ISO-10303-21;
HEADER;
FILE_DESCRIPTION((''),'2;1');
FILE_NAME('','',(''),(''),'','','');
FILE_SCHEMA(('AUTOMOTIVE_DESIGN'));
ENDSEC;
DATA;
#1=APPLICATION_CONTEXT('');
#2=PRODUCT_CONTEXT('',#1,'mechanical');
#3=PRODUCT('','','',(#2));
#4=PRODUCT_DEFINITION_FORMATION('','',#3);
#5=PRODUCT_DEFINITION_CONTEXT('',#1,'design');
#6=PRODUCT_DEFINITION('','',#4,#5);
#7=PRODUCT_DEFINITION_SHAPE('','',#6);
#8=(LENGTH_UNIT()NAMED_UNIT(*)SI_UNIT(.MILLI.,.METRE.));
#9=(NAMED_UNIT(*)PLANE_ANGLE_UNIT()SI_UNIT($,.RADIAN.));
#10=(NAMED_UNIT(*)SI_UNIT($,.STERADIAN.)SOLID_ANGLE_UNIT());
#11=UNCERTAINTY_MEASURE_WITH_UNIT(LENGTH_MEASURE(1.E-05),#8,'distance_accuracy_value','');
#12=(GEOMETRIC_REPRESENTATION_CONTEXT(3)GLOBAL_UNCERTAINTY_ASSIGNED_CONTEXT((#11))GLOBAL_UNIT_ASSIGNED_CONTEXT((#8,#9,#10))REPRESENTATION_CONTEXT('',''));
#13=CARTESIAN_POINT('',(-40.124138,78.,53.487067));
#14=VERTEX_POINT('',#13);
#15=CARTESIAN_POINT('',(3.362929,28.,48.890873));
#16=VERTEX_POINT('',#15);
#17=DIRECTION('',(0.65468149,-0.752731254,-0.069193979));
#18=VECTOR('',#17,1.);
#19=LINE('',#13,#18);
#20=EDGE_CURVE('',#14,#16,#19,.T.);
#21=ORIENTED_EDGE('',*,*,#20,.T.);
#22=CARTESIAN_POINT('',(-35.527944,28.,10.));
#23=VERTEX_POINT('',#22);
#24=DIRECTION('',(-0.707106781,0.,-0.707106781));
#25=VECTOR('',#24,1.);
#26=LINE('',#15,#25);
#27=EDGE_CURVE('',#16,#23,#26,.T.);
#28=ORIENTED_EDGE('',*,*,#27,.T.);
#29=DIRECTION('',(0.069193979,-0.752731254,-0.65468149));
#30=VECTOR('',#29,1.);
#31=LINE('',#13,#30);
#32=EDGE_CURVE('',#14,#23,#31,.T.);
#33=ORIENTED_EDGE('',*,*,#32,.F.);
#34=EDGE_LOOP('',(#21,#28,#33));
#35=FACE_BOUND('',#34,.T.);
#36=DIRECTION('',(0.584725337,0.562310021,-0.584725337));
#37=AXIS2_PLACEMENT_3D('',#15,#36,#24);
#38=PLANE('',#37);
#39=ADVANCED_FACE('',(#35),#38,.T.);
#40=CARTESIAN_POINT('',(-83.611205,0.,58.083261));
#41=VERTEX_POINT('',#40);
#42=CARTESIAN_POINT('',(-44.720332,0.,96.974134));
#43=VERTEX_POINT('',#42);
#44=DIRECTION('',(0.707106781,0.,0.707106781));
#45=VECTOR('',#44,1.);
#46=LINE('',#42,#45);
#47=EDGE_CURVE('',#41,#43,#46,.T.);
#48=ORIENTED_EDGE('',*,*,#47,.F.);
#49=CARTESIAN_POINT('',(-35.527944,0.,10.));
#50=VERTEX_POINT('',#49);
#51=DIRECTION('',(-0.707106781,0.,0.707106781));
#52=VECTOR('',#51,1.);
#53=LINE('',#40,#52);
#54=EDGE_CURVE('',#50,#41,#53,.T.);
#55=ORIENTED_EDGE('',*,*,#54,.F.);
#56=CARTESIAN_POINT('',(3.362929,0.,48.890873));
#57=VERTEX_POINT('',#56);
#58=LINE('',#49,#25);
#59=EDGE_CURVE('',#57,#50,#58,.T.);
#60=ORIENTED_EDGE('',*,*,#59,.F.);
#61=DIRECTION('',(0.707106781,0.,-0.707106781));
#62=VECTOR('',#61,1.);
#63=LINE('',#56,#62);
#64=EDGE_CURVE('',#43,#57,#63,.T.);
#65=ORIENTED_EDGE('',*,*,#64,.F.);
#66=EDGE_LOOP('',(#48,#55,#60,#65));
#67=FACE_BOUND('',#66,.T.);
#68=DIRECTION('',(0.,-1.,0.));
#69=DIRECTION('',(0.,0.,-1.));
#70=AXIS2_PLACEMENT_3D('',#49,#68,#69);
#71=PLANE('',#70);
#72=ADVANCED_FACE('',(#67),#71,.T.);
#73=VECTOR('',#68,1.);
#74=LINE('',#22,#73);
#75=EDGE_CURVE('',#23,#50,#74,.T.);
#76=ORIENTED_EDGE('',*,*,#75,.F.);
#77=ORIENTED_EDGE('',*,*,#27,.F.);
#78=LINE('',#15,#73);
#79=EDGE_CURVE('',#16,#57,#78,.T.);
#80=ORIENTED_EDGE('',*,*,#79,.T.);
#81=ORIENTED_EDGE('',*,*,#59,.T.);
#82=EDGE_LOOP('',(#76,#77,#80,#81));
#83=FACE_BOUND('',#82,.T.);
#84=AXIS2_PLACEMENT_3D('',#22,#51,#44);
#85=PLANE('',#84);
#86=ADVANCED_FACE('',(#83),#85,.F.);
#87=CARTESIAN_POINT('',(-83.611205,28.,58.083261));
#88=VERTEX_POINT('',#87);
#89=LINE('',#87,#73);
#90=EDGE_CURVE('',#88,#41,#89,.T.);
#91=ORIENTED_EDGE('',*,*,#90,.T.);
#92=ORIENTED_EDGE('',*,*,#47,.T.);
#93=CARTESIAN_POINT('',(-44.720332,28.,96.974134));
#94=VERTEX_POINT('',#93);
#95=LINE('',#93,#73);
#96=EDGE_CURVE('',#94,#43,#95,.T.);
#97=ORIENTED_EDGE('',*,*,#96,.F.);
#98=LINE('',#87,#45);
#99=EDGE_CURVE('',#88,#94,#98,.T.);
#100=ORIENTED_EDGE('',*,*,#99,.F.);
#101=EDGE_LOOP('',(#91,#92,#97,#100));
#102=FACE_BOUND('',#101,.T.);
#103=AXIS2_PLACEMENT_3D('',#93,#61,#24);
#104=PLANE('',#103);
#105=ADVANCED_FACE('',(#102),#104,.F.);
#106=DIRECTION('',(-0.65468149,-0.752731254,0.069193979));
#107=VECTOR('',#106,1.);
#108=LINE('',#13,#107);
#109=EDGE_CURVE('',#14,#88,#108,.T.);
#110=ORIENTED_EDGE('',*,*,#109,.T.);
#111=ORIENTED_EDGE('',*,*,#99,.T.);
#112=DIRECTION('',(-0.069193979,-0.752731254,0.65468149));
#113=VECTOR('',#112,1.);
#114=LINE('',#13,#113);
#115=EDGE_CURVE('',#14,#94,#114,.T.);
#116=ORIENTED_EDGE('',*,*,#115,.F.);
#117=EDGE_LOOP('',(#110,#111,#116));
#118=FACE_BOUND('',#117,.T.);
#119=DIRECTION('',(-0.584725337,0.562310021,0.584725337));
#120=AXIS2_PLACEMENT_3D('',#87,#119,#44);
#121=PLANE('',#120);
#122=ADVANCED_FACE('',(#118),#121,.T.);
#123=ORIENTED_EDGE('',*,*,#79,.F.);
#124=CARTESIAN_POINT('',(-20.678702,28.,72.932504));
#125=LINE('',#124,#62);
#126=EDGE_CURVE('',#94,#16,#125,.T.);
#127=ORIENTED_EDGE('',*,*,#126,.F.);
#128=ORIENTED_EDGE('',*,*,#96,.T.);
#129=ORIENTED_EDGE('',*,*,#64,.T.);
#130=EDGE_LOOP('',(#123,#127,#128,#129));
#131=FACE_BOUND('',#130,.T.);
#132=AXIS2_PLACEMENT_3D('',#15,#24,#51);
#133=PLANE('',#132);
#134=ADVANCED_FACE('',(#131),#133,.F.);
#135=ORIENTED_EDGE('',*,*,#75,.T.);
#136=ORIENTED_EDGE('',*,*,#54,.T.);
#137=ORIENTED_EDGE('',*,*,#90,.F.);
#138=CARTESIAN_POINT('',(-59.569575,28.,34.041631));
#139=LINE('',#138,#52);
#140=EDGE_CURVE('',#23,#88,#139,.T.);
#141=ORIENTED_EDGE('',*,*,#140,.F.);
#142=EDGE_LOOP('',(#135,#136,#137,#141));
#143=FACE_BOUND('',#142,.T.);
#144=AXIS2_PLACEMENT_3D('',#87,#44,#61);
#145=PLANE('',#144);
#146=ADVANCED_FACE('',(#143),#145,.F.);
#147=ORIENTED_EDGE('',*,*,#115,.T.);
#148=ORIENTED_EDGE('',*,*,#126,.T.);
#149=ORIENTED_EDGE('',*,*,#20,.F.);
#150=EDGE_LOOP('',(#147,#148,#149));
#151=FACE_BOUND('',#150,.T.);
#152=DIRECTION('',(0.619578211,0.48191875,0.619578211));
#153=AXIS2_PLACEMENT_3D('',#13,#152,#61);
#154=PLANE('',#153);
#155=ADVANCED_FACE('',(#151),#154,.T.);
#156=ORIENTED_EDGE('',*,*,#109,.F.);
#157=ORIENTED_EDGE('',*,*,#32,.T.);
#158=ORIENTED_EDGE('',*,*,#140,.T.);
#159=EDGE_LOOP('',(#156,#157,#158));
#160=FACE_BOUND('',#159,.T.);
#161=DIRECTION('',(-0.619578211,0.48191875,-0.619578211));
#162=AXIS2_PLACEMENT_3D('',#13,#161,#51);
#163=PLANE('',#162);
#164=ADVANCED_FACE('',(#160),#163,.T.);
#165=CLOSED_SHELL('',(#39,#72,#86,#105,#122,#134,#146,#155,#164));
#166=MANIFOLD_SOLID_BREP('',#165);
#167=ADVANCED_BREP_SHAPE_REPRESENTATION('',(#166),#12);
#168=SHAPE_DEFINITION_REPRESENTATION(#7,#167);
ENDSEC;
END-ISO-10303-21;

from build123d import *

# Parameters (mm, degrees)
EXTRUDE1_DEPTH = 28


with BuildPart() as part:
    # Sketch1 → Extrude1 (new body)
    with BuildSketch(Plane(origin=(0, 0, 0), x_dir=(1, 0, 0), z_dir=(0, 1, 0))):
        Polygon((-35.527943991, -10), (3.362928975, -48.890872965), (-44.720332146, -96.974134086), (-83.611205111, -58.083261121), align=None)
    extrude(amount=EXTRUDE1_DEPTH)

    # Sketch2 → Loft1 section 0
    with BuildSketch(Plane(origin=(0, 28, 0), x_dir=(-1, 0, 0), z_dir=(0, 1, 0)), mode=Mode.PRIVATE) as loft1_s0:
        Polygon((35.527943991, 10), (-3.362928975, 48.890872965), (44.720332146, 96.974134086), (83.611205111, 58.083261121), align=None)
    loft([Vertex(-40.124138068, 78, 53.487067043), loft1_s0.sketch])


solid = part.part
